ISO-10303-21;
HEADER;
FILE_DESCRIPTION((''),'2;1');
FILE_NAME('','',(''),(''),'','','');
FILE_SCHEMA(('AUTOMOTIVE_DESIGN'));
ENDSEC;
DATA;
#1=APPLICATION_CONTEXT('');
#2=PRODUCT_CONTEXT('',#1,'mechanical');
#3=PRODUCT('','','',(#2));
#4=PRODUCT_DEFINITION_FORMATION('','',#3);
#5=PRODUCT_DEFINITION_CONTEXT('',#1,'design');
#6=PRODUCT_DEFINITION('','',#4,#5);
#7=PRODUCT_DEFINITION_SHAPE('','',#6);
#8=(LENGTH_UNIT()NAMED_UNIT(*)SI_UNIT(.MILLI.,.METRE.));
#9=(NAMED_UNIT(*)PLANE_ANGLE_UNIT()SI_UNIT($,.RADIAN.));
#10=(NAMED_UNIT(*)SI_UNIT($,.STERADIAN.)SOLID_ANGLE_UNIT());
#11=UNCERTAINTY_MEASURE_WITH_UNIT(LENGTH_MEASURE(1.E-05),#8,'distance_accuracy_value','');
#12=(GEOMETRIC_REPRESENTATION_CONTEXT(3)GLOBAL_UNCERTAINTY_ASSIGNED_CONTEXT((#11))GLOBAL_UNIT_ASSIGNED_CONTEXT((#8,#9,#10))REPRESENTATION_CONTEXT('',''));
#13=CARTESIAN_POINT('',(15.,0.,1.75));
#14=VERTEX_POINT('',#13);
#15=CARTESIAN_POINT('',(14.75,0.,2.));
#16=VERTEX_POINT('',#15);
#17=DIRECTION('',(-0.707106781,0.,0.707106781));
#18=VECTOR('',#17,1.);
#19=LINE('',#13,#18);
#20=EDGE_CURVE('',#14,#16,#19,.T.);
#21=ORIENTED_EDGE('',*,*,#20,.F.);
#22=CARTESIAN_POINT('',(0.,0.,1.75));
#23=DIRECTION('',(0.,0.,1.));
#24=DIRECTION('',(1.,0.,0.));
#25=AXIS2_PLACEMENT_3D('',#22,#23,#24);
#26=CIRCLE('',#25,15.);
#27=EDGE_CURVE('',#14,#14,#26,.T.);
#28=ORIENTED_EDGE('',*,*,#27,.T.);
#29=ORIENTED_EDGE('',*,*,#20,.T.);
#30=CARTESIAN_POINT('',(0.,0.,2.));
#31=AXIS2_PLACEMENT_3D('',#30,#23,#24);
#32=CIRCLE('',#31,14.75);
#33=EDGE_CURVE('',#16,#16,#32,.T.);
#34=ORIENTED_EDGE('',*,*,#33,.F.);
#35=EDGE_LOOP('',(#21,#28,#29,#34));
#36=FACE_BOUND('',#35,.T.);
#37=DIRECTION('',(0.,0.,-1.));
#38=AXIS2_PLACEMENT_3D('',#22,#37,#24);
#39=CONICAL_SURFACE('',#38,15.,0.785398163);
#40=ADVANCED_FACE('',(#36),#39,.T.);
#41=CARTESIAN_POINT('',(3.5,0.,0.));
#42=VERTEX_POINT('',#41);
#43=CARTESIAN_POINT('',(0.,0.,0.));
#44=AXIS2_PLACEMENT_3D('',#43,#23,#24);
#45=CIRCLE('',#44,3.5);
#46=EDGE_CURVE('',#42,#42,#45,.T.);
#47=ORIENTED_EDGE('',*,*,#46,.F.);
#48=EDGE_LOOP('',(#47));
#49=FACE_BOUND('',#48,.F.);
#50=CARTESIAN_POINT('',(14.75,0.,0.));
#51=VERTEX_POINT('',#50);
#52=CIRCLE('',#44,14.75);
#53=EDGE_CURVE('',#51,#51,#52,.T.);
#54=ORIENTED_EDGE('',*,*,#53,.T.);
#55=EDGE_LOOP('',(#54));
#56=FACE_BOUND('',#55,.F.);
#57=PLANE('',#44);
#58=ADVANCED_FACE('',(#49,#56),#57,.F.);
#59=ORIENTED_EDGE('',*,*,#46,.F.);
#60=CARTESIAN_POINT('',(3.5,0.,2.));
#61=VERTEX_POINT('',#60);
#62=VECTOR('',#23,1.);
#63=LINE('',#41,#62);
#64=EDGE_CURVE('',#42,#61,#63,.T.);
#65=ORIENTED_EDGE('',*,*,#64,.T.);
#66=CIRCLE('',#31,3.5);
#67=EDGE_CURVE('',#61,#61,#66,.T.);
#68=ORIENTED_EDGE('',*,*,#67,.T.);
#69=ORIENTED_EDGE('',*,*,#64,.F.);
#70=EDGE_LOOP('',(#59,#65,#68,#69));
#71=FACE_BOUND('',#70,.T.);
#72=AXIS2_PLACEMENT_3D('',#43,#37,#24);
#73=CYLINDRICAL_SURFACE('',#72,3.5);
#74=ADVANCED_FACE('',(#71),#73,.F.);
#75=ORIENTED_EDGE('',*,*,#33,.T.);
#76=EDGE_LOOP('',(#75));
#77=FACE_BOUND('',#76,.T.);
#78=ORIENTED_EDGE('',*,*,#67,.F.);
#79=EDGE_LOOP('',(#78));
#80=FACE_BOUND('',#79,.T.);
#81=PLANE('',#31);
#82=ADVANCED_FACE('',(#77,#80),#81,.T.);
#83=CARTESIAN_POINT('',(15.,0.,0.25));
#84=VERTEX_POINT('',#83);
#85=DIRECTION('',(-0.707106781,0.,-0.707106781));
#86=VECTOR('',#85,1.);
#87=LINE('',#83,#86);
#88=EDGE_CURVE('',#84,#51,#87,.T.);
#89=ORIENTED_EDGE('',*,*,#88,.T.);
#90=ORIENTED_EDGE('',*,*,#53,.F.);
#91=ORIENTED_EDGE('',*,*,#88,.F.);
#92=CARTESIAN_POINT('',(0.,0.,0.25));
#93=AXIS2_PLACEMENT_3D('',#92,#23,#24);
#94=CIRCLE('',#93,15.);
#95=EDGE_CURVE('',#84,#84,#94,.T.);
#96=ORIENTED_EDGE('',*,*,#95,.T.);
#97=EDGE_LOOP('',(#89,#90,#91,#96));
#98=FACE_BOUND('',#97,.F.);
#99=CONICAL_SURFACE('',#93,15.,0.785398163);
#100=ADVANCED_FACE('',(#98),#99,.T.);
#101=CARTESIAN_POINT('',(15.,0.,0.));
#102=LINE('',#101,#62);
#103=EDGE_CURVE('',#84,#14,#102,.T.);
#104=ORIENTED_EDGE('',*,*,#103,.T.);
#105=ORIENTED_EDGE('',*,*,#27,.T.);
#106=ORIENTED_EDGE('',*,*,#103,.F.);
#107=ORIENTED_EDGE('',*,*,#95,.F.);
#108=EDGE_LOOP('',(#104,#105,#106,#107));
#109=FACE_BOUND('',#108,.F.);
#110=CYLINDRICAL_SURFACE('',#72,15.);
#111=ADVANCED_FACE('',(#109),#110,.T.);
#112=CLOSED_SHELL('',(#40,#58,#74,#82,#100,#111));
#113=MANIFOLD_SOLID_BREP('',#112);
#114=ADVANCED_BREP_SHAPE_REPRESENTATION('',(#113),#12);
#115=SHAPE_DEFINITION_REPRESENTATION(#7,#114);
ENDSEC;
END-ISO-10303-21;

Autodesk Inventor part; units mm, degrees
ref_plane "YZ Plane" through (0, 0, 0) normal (1, 0, 0) x (0, 1, 0)
ref_plane "XZ Plane" through (0, 0, 0) normal (0, 1, 0) x (-1, 0, 0)
ref_plane "XY Plane" through (0, 0, 0) normal (0, 0, 1) x (1, 0, 0)
sketch "Sketch1" plane through (0, 0, 0) normal (0, 0, 1) x (1, 0, 0)
  circle A0 centre (0, 0) radius 3.5
  circle A1 centre (0, 0) radius 15
  dimension "d0" = 7
  dimension "d1" = 30
extrude "Extrusion1" add sketch "Sketch1" along normal blind 2
chamfer "Chamfer1" distance 0.25 angle 45 2 edges at (-15, 0, 2) (-15, 0, 0)
properties part number "PWTR-0064" material "Stainless Steel"
